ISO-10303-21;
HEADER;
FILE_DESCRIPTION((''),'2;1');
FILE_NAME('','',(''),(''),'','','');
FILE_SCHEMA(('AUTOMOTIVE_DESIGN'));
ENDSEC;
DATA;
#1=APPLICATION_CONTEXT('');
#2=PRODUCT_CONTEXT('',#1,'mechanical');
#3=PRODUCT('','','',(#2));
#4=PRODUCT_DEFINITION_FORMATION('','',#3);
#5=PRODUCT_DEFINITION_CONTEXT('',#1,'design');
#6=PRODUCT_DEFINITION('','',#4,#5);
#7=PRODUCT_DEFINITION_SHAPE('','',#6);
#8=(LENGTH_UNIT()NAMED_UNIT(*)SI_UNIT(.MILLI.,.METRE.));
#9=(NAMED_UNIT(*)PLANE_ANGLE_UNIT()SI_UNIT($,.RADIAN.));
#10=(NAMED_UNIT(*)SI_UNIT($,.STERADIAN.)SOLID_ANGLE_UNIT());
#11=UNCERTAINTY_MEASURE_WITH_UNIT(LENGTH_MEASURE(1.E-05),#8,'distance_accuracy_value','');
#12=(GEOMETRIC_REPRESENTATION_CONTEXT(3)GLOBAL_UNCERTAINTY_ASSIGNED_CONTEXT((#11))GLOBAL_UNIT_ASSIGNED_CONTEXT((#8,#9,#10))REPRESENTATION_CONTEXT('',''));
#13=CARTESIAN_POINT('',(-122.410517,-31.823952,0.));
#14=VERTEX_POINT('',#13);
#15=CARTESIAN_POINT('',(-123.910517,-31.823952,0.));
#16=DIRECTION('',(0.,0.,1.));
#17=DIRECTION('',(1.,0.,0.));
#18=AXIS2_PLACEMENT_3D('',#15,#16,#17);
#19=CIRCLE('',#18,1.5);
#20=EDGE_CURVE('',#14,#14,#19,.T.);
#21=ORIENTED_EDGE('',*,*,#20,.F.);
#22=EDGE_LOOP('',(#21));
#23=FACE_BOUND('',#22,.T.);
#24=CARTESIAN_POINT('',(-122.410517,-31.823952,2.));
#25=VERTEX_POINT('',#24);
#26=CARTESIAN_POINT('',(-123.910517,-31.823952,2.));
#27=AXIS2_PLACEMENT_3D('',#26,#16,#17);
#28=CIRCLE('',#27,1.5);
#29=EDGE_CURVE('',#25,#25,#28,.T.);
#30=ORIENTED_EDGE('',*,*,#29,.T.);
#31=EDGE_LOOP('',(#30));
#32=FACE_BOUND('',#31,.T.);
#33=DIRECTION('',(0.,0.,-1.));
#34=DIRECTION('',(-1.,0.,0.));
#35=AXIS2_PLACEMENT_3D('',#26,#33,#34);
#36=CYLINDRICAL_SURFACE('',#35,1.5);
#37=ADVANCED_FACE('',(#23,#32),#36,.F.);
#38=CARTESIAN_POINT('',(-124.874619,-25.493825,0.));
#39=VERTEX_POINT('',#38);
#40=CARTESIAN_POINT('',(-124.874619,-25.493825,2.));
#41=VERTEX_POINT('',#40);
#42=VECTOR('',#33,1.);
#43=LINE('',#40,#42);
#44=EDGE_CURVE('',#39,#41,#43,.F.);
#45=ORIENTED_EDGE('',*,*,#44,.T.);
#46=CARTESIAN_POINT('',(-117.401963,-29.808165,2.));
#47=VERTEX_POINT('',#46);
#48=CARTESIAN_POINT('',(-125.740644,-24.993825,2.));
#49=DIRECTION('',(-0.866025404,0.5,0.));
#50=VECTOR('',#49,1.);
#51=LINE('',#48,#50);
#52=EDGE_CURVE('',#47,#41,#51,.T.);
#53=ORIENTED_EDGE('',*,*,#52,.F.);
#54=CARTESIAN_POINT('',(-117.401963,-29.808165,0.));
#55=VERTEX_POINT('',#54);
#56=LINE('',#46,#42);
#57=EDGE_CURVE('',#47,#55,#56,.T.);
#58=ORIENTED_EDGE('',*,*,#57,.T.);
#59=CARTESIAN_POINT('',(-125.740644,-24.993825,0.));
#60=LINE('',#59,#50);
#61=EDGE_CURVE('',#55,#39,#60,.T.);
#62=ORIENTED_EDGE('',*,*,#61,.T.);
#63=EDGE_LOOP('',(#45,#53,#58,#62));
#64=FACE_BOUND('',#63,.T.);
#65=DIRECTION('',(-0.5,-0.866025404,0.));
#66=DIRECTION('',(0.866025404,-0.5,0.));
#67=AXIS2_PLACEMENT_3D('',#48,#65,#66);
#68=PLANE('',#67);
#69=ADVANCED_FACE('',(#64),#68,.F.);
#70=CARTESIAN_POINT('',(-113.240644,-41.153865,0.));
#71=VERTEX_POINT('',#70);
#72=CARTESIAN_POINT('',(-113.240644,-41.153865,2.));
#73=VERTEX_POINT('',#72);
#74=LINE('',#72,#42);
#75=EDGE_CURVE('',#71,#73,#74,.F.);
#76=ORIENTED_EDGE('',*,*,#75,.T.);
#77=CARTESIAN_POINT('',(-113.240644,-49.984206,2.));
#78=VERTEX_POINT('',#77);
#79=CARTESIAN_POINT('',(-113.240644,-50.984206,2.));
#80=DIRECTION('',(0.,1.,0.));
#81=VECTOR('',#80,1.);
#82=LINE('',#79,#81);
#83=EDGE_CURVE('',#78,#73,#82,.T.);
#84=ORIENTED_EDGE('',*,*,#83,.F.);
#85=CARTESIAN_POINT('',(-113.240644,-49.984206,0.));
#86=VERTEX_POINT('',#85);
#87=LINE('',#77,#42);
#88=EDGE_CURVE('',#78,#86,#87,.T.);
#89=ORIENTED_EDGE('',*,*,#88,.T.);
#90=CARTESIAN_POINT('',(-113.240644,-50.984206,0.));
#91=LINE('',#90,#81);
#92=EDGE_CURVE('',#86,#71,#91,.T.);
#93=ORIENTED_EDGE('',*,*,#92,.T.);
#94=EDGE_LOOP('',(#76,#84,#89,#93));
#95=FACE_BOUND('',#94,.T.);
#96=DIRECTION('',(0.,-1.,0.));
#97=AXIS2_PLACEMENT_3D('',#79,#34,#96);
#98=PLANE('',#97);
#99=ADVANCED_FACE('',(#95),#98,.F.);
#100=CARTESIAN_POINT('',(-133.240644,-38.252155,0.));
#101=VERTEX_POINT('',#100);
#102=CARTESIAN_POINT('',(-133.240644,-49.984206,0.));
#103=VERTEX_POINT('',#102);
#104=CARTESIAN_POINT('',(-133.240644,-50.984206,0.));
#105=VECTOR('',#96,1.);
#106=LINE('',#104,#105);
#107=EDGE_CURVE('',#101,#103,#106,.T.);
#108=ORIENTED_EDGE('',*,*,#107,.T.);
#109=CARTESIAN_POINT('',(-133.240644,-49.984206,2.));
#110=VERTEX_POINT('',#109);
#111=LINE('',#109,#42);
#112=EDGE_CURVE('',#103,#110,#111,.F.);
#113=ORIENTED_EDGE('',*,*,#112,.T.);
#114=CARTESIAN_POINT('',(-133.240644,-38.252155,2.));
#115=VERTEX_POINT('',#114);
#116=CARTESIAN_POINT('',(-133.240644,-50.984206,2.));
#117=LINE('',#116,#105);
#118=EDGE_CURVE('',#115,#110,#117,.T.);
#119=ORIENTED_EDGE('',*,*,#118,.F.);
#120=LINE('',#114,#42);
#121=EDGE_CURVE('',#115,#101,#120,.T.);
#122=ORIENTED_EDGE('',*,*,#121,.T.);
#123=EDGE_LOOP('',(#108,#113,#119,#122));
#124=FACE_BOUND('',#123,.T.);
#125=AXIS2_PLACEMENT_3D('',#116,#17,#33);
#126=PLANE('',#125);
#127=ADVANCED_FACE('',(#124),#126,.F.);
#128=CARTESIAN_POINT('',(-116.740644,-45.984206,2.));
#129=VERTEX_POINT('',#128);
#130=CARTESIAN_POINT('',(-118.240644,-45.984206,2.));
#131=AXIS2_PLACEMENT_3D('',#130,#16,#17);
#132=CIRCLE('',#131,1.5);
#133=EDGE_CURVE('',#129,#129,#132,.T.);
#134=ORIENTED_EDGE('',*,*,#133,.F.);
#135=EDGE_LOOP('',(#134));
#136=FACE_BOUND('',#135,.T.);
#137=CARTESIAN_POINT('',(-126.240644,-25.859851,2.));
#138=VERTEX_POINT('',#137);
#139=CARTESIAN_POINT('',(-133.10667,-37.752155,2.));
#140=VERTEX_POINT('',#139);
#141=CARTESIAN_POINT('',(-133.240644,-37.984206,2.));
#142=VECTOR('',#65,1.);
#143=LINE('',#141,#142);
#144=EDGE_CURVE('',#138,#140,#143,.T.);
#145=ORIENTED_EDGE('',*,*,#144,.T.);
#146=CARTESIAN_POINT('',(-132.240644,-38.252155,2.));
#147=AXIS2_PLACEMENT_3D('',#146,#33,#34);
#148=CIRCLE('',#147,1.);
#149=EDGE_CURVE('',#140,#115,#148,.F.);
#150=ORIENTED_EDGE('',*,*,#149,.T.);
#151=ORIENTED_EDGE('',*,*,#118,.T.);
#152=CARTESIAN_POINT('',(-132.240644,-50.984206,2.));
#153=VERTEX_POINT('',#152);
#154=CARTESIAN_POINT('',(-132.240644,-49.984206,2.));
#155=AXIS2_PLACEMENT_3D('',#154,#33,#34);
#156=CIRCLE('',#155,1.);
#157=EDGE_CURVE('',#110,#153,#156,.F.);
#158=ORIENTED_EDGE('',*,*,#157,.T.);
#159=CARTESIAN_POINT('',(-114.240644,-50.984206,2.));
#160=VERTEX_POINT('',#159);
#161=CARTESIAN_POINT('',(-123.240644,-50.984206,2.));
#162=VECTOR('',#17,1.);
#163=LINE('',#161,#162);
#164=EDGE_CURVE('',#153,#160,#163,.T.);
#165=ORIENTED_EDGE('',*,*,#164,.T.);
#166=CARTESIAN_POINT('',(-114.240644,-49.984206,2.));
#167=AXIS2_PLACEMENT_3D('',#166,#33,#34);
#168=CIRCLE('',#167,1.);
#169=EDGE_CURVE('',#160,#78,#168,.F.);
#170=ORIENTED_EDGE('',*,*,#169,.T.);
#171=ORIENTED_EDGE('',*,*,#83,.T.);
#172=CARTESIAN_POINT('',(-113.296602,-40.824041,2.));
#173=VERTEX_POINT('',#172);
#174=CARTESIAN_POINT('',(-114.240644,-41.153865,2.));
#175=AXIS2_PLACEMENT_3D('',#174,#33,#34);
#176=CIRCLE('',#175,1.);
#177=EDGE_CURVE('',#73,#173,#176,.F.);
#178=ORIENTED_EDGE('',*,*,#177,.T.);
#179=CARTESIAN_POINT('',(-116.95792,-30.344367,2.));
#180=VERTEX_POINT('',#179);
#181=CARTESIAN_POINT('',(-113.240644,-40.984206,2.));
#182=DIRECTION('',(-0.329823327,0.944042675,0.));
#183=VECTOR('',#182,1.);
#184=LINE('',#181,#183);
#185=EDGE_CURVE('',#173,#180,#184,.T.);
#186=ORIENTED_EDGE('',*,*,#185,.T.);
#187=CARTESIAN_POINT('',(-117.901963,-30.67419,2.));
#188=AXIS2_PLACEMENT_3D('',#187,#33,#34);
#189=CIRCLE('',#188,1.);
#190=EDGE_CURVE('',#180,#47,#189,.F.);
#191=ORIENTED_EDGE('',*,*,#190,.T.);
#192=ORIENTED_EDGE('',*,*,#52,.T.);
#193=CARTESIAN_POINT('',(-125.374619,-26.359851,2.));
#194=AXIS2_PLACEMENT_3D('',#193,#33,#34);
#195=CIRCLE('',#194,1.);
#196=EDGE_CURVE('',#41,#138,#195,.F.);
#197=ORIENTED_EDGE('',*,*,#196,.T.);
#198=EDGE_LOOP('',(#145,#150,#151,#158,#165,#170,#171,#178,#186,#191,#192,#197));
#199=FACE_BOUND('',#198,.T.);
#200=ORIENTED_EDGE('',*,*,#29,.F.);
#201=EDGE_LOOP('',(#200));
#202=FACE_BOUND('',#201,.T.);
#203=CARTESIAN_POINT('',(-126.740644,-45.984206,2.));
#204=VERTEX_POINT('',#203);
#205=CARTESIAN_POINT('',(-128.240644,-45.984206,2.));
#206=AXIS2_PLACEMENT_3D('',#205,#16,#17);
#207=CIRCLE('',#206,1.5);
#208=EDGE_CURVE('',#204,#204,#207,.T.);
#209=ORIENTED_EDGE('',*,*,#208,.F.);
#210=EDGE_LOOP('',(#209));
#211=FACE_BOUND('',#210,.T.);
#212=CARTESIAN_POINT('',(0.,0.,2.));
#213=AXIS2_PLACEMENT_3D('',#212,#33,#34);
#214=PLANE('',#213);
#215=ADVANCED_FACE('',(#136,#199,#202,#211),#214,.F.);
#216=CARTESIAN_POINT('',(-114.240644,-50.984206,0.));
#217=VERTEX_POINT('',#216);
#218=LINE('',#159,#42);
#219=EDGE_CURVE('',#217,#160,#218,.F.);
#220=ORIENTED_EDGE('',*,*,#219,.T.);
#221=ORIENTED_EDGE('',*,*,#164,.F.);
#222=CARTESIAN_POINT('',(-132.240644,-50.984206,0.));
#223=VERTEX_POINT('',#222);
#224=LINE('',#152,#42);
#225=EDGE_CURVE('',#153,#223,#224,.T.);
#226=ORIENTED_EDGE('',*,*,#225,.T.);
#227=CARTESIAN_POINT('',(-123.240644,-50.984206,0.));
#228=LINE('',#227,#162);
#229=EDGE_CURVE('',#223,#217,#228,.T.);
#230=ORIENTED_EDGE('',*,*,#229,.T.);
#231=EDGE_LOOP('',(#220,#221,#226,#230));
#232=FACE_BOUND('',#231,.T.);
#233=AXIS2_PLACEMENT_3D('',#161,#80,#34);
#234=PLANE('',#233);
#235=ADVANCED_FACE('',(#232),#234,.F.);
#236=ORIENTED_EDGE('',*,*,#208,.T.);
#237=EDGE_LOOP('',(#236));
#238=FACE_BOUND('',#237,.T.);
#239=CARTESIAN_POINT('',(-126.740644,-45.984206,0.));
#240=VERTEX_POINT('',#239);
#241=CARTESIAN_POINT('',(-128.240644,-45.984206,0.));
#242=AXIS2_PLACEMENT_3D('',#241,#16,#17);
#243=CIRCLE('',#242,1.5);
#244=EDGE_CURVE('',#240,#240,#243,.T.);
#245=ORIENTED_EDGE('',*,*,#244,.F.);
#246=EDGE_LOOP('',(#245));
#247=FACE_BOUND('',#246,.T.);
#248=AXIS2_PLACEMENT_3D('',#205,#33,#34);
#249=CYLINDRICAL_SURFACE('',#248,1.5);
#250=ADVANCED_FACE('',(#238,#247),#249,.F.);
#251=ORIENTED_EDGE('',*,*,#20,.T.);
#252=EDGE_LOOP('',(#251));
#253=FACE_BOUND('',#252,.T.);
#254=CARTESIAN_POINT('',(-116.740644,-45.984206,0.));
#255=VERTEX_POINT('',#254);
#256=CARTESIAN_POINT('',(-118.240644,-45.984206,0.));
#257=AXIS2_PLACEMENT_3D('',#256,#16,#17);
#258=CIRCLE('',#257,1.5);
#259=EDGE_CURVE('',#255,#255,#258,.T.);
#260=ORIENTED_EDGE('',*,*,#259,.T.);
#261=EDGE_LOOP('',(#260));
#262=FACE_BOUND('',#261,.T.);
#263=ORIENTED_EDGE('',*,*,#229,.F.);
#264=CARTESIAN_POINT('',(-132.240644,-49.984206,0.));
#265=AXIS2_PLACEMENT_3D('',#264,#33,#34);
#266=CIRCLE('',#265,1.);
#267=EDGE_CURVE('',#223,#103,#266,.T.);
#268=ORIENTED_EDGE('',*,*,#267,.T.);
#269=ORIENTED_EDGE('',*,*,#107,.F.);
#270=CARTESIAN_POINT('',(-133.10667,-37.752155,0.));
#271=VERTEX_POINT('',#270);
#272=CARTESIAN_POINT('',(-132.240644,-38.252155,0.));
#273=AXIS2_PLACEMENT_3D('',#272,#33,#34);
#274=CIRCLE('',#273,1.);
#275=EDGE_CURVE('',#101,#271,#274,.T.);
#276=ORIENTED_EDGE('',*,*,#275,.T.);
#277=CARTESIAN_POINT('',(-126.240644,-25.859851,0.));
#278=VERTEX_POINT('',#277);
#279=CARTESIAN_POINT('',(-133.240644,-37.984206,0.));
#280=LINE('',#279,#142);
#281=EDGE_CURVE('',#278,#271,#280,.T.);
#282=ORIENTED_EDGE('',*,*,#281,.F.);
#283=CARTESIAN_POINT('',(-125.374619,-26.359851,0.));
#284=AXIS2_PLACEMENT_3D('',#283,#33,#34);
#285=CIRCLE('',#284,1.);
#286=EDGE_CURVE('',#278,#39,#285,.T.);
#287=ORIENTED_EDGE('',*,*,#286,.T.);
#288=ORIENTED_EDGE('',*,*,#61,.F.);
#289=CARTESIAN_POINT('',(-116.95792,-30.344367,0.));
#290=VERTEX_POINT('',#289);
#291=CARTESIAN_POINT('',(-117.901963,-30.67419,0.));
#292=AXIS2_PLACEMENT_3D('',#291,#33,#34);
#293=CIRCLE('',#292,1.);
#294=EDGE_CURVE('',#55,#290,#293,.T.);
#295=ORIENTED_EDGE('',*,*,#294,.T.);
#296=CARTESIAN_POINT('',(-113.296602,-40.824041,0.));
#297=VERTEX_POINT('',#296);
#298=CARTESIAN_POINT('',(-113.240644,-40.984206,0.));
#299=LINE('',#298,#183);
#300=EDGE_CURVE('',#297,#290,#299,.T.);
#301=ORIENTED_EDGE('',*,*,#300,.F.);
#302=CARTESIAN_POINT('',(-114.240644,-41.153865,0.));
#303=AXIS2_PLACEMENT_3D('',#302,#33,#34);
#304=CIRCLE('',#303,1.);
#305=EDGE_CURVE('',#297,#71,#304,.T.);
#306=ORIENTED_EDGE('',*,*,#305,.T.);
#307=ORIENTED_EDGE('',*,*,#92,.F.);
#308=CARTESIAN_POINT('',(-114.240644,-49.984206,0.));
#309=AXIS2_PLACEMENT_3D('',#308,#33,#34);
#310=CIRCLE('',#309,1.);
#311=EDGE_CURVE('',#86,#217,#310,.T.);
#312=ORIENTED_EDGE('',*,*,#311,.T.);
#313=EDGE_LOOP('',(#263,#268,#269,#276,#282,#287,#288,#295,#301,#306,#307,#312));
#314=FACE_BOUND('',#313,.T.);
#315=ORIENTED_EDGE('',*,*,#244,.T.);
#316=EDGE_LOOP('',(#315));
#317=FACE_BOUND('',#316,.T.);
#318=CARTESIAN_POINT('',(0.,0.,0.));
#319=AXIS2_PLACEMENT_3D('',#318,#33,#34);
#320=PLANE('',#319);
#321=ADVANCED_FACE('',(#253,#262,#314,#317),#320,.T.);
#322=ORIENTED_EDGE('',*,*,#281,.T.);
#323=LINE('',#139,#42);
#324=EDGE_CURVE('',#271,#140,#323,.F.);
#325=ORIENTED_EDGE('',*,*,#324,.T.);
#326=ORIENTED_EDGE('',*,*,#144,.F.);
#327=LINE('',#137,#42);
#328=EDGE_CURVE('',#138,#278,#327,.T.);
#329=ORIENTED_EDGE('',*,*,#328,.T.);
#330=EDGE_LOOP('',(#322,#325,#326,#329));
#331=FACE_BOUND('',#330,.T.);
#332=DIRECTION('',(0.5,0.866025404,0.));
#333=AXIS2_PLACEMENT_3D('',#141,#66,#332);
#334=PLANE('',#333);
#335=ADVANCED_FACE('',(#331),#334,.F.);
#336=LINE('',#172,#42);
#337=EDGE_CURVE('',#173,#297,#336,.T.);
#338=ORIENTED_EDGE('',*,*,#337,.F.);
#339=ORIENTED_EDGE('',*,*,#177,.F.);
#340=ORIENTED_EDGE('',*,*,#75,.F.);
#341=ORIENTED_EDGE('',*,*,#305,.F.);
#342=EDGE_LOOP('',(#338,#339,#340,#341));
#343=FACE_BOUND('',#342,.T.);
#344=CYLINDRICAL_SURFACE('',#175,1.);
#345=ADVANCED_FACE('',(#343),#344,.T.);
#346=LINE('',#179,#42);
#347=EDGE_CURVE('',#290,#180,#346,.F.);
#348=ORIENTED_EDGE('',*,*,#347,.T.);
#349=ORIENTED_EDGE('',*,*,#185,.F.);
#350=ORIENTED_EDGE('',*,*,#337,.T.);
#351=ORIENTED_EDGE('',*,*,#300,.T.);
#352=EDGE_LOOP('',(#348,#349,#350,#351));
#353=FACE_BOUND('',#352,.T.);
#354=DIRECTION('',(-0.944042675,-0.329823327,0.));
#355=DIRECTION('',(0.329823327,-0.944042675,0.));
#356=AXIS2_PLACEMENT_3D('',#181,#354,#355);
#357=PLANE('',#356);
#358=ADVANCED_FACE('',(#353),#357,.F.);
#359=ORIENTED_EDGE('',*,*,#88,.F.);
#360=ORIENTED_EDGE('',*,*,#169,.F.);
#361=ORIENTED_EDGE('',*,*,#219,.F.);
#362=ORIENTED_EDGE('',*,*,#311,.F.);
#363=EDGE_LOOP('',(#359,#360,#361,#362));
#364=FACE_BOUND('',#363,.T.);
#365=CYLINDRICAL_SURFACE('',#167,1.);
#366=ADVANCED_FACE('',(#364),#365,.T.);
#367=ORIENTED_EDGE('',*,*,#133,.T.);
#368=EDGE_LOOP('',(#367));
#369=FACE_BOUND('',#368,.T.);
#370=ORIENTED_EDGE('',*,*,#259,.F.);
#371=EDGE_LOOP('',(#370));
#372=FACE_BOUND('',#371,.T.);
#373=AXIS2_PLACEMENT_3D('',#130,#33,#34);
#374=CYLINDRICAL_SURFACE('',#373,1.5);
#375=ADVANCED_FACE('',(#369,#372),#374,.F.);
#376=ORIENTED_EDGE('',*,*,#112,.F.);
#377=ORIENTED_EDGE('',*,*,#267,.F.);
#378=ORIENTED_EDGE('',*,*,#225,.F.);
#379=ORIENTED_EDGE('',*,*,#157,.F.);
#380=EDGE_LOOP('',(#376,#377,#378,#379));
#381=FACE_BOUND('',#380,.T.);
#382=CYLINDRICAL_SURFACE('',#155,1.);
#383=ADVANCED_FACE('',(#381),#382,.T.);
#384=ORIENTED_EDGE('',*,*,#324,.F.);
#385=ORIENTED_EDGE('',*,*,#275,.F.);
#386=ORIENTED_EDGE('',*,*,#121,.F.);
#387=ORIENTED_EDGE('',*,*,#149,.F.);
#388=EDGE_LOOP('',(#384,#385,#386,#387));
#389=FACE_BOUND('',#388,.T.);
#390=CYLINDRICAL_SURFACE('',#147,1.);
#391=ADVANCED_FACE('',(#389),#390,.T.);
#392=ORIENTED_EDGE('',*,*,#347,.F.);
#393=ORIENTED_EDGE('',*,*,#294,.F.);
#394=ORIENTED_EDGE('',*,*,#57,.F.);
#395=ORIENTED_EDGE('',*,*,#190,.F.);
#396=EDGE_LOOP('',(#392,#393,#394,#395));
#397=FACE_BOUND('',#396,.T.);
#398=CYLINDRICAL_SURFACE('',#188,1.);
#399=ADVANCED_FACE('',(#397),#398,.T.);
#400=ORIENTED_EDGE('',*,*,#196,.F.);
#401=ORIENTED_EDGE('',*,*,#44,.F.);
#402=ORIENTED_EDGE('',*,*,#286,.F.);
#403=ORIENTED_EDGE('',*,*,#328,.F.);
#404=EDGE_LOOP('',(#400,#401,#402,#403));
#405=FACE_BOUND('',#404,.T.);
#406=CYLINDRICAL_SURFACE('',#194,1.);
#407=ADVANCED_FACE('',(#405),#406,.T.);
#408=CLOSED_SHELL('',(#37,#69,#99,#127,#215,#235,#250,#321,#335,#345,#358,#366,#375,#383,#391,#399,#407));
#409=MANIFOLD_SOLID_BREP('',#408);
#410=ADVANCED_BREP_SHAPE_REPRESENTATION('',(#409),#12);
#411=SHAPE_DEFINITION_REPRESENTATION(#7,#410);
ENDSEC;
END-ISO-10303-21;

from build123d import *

# Parameters (mm, degrees)
SKETCH_1_R      = 1.5
EXTRUDE_1_DEPTH = 2
FILLET_1_R      = 1


with BuildPart() as part:
    # 草图1 → 凸台-拉伸1 (new body)
    with BuildSketch(Plane.XY):
        Polygon((-133.240644315, -50.984206154), (-133.240644315, -37.984206154), (-125.740644315, -24.993825098), (-117.080390278, -29.993825098), (-113.240644315, -40.984206154), (-113.240644315, -50.984206154), (-123.240644315, -50.984206154), align=None)
        with Locations((-128.240644315, -45.984206154)):
            Circle(SKETCH_1_R, mode=Mode.SUBTRACT)
        with Locations((-123.910517296, -31.823952117)):
            Circle(SKETCH_1_R, mode=Mode.SUBTRACT)
        with Locations((-118.240644315, -45.984206154)):
            Circle(SKETCH_1_R, mode=Mode.SUBTRACT)
    extrude(amount=EXTRUDE_1_DEPTH)

    # 圆角1
    fillet_1_edges = [part.edges().sort_by_distance(p)[0] for p in [
        (-133.240644315, -50.984206154, 1),
        (-133.240644315, -37.984206154, 1),
        (-125.740644315, -24.993825098, 1),
        (-117.080390278, -29.993825098, 1),
        (-113.240644315, -40.984206154, 1),
        (-113.240644315, -50.984206154, 1),
    ]]
    fillet(fillet_1_edges, radius=FILLET_1_R)


solid = part.part
